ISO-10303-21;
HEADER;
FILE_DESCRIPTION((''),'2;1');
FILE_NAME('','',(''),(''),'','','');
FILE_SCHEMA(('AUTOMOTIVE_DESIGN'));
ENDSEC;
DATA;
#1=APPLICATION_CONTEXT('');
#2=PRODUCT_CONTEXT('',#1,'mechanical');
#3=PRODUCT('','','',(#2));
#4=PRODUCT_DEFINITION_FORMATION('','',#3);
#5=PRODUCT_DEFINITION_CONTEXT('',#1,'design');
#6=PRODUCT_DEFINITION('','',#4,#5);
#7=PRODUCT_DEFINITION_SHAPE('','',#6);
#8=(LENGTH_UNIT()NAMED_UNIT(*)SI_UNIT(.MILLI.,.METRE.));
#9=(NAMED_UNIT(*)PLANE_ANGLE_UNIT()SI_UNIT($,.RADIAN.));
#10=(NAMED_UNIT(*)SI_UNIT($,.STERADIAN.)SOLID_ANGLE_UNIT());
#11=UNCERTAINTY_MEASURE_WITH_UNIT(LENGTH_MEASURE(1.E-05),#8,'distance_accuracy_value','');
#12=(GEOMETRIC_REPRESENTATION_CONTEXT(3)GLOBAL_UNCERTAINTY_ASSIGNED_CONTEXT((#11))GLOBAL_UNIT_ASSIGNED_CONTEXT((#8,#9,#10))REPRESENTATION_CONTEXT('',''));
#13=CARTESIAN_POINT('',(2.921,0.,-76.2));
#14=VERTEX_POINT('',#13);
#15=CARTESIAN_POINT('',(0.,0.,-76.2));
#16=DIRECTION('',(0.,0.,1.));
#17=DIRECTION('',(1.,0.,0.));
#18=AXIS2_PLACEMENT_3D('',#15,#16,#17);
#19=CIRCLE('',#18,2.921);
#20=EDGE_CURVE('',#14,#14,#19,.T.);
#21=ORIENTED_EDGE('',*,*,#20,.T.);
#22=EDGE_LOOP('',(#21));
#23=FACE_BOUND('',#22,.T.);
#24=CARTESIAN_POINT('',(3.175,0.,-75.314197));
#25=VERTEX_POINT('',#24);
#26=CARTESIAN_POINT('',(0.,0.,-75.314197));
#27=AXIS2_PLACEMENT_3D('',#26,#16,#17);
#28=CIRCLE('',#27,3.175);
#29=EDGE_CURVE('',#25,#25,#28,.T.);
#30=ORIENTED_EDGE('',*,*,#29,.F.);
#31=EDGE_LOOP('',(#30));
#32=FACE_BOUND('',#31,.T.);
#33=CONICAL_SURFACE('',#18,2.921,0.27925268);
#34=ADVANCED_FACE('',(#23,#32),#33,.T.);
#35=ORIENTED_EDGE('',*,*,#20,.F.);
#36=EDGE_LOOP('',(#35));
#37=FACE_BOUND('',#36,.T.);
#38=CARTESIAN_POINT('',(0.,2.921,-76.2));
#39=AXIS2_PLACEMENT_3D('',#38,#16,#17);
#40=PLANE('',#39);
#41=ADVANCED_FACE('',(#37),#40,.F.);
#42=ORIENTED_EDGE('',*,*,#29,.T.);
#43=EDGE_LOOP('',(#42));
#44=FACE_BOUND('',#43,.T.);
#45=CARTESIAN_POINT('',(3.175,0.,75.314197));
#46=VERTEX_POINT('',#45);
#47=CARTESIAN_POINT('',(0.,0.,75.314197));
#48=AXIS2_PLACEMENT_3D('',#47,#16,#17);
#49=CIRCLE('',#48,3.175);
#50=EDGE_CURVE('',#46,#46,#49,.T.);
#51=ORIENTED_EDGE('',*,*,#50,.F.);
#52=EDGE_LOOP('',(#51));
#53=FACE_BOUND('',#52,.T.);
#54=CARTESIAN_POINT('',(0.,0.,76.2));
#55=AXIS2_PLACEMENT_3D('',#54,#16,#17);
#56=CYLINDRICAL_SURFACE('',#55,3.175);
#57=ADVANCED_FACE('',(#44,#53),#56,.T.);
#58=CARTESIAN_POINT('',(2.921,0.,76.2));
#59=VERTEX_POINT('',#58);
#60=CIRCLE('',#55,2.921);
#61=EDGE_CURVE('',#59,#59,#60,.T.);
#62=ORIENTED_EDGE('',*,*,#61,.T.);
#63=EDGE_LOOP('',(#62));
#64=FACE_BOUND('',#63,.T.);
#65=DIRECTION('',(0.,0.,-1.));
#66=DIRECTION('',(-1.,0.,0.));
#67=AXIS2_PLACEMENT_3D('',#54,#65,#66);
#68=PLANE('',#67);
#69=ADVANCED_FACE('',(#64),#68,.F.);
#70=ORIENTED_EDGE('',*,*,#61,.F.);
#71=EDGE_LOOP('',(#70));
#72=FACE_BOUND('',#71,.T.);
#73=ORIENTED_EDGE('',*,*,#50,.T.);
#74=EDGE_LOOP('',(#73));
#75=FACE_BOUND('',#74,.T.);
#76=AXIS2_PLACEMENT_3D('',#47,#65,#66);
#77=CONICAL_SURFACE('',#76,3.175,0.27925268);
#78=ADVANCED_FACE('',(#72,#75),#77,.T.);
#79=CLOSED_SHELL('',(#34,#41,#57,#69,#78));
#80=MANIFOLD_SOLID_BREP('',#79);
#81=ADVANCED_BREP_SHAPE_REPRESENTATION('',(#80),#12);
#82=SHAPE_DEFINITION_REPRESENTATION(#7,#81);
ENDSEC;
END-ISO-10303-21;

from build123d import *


with BuildPart() as part:
    # Sketch3 → Revolve1 (revolve)
    with BuildSketch(Plane(origin=(0, 0, 0), x_dir=(0, 0, -1), z_dir=(1, 0, 0))):
        Polygon((-76.2, 0), (76.2, 0), (76.2, 2.921), (75.314196731, 3.175), (-75.314196731, 3.175), (-76.2, 2.921), align=None)
    revolve(axis=Axis((0, 0, 76.2), (0, 0, -1)))


solid = part.part
